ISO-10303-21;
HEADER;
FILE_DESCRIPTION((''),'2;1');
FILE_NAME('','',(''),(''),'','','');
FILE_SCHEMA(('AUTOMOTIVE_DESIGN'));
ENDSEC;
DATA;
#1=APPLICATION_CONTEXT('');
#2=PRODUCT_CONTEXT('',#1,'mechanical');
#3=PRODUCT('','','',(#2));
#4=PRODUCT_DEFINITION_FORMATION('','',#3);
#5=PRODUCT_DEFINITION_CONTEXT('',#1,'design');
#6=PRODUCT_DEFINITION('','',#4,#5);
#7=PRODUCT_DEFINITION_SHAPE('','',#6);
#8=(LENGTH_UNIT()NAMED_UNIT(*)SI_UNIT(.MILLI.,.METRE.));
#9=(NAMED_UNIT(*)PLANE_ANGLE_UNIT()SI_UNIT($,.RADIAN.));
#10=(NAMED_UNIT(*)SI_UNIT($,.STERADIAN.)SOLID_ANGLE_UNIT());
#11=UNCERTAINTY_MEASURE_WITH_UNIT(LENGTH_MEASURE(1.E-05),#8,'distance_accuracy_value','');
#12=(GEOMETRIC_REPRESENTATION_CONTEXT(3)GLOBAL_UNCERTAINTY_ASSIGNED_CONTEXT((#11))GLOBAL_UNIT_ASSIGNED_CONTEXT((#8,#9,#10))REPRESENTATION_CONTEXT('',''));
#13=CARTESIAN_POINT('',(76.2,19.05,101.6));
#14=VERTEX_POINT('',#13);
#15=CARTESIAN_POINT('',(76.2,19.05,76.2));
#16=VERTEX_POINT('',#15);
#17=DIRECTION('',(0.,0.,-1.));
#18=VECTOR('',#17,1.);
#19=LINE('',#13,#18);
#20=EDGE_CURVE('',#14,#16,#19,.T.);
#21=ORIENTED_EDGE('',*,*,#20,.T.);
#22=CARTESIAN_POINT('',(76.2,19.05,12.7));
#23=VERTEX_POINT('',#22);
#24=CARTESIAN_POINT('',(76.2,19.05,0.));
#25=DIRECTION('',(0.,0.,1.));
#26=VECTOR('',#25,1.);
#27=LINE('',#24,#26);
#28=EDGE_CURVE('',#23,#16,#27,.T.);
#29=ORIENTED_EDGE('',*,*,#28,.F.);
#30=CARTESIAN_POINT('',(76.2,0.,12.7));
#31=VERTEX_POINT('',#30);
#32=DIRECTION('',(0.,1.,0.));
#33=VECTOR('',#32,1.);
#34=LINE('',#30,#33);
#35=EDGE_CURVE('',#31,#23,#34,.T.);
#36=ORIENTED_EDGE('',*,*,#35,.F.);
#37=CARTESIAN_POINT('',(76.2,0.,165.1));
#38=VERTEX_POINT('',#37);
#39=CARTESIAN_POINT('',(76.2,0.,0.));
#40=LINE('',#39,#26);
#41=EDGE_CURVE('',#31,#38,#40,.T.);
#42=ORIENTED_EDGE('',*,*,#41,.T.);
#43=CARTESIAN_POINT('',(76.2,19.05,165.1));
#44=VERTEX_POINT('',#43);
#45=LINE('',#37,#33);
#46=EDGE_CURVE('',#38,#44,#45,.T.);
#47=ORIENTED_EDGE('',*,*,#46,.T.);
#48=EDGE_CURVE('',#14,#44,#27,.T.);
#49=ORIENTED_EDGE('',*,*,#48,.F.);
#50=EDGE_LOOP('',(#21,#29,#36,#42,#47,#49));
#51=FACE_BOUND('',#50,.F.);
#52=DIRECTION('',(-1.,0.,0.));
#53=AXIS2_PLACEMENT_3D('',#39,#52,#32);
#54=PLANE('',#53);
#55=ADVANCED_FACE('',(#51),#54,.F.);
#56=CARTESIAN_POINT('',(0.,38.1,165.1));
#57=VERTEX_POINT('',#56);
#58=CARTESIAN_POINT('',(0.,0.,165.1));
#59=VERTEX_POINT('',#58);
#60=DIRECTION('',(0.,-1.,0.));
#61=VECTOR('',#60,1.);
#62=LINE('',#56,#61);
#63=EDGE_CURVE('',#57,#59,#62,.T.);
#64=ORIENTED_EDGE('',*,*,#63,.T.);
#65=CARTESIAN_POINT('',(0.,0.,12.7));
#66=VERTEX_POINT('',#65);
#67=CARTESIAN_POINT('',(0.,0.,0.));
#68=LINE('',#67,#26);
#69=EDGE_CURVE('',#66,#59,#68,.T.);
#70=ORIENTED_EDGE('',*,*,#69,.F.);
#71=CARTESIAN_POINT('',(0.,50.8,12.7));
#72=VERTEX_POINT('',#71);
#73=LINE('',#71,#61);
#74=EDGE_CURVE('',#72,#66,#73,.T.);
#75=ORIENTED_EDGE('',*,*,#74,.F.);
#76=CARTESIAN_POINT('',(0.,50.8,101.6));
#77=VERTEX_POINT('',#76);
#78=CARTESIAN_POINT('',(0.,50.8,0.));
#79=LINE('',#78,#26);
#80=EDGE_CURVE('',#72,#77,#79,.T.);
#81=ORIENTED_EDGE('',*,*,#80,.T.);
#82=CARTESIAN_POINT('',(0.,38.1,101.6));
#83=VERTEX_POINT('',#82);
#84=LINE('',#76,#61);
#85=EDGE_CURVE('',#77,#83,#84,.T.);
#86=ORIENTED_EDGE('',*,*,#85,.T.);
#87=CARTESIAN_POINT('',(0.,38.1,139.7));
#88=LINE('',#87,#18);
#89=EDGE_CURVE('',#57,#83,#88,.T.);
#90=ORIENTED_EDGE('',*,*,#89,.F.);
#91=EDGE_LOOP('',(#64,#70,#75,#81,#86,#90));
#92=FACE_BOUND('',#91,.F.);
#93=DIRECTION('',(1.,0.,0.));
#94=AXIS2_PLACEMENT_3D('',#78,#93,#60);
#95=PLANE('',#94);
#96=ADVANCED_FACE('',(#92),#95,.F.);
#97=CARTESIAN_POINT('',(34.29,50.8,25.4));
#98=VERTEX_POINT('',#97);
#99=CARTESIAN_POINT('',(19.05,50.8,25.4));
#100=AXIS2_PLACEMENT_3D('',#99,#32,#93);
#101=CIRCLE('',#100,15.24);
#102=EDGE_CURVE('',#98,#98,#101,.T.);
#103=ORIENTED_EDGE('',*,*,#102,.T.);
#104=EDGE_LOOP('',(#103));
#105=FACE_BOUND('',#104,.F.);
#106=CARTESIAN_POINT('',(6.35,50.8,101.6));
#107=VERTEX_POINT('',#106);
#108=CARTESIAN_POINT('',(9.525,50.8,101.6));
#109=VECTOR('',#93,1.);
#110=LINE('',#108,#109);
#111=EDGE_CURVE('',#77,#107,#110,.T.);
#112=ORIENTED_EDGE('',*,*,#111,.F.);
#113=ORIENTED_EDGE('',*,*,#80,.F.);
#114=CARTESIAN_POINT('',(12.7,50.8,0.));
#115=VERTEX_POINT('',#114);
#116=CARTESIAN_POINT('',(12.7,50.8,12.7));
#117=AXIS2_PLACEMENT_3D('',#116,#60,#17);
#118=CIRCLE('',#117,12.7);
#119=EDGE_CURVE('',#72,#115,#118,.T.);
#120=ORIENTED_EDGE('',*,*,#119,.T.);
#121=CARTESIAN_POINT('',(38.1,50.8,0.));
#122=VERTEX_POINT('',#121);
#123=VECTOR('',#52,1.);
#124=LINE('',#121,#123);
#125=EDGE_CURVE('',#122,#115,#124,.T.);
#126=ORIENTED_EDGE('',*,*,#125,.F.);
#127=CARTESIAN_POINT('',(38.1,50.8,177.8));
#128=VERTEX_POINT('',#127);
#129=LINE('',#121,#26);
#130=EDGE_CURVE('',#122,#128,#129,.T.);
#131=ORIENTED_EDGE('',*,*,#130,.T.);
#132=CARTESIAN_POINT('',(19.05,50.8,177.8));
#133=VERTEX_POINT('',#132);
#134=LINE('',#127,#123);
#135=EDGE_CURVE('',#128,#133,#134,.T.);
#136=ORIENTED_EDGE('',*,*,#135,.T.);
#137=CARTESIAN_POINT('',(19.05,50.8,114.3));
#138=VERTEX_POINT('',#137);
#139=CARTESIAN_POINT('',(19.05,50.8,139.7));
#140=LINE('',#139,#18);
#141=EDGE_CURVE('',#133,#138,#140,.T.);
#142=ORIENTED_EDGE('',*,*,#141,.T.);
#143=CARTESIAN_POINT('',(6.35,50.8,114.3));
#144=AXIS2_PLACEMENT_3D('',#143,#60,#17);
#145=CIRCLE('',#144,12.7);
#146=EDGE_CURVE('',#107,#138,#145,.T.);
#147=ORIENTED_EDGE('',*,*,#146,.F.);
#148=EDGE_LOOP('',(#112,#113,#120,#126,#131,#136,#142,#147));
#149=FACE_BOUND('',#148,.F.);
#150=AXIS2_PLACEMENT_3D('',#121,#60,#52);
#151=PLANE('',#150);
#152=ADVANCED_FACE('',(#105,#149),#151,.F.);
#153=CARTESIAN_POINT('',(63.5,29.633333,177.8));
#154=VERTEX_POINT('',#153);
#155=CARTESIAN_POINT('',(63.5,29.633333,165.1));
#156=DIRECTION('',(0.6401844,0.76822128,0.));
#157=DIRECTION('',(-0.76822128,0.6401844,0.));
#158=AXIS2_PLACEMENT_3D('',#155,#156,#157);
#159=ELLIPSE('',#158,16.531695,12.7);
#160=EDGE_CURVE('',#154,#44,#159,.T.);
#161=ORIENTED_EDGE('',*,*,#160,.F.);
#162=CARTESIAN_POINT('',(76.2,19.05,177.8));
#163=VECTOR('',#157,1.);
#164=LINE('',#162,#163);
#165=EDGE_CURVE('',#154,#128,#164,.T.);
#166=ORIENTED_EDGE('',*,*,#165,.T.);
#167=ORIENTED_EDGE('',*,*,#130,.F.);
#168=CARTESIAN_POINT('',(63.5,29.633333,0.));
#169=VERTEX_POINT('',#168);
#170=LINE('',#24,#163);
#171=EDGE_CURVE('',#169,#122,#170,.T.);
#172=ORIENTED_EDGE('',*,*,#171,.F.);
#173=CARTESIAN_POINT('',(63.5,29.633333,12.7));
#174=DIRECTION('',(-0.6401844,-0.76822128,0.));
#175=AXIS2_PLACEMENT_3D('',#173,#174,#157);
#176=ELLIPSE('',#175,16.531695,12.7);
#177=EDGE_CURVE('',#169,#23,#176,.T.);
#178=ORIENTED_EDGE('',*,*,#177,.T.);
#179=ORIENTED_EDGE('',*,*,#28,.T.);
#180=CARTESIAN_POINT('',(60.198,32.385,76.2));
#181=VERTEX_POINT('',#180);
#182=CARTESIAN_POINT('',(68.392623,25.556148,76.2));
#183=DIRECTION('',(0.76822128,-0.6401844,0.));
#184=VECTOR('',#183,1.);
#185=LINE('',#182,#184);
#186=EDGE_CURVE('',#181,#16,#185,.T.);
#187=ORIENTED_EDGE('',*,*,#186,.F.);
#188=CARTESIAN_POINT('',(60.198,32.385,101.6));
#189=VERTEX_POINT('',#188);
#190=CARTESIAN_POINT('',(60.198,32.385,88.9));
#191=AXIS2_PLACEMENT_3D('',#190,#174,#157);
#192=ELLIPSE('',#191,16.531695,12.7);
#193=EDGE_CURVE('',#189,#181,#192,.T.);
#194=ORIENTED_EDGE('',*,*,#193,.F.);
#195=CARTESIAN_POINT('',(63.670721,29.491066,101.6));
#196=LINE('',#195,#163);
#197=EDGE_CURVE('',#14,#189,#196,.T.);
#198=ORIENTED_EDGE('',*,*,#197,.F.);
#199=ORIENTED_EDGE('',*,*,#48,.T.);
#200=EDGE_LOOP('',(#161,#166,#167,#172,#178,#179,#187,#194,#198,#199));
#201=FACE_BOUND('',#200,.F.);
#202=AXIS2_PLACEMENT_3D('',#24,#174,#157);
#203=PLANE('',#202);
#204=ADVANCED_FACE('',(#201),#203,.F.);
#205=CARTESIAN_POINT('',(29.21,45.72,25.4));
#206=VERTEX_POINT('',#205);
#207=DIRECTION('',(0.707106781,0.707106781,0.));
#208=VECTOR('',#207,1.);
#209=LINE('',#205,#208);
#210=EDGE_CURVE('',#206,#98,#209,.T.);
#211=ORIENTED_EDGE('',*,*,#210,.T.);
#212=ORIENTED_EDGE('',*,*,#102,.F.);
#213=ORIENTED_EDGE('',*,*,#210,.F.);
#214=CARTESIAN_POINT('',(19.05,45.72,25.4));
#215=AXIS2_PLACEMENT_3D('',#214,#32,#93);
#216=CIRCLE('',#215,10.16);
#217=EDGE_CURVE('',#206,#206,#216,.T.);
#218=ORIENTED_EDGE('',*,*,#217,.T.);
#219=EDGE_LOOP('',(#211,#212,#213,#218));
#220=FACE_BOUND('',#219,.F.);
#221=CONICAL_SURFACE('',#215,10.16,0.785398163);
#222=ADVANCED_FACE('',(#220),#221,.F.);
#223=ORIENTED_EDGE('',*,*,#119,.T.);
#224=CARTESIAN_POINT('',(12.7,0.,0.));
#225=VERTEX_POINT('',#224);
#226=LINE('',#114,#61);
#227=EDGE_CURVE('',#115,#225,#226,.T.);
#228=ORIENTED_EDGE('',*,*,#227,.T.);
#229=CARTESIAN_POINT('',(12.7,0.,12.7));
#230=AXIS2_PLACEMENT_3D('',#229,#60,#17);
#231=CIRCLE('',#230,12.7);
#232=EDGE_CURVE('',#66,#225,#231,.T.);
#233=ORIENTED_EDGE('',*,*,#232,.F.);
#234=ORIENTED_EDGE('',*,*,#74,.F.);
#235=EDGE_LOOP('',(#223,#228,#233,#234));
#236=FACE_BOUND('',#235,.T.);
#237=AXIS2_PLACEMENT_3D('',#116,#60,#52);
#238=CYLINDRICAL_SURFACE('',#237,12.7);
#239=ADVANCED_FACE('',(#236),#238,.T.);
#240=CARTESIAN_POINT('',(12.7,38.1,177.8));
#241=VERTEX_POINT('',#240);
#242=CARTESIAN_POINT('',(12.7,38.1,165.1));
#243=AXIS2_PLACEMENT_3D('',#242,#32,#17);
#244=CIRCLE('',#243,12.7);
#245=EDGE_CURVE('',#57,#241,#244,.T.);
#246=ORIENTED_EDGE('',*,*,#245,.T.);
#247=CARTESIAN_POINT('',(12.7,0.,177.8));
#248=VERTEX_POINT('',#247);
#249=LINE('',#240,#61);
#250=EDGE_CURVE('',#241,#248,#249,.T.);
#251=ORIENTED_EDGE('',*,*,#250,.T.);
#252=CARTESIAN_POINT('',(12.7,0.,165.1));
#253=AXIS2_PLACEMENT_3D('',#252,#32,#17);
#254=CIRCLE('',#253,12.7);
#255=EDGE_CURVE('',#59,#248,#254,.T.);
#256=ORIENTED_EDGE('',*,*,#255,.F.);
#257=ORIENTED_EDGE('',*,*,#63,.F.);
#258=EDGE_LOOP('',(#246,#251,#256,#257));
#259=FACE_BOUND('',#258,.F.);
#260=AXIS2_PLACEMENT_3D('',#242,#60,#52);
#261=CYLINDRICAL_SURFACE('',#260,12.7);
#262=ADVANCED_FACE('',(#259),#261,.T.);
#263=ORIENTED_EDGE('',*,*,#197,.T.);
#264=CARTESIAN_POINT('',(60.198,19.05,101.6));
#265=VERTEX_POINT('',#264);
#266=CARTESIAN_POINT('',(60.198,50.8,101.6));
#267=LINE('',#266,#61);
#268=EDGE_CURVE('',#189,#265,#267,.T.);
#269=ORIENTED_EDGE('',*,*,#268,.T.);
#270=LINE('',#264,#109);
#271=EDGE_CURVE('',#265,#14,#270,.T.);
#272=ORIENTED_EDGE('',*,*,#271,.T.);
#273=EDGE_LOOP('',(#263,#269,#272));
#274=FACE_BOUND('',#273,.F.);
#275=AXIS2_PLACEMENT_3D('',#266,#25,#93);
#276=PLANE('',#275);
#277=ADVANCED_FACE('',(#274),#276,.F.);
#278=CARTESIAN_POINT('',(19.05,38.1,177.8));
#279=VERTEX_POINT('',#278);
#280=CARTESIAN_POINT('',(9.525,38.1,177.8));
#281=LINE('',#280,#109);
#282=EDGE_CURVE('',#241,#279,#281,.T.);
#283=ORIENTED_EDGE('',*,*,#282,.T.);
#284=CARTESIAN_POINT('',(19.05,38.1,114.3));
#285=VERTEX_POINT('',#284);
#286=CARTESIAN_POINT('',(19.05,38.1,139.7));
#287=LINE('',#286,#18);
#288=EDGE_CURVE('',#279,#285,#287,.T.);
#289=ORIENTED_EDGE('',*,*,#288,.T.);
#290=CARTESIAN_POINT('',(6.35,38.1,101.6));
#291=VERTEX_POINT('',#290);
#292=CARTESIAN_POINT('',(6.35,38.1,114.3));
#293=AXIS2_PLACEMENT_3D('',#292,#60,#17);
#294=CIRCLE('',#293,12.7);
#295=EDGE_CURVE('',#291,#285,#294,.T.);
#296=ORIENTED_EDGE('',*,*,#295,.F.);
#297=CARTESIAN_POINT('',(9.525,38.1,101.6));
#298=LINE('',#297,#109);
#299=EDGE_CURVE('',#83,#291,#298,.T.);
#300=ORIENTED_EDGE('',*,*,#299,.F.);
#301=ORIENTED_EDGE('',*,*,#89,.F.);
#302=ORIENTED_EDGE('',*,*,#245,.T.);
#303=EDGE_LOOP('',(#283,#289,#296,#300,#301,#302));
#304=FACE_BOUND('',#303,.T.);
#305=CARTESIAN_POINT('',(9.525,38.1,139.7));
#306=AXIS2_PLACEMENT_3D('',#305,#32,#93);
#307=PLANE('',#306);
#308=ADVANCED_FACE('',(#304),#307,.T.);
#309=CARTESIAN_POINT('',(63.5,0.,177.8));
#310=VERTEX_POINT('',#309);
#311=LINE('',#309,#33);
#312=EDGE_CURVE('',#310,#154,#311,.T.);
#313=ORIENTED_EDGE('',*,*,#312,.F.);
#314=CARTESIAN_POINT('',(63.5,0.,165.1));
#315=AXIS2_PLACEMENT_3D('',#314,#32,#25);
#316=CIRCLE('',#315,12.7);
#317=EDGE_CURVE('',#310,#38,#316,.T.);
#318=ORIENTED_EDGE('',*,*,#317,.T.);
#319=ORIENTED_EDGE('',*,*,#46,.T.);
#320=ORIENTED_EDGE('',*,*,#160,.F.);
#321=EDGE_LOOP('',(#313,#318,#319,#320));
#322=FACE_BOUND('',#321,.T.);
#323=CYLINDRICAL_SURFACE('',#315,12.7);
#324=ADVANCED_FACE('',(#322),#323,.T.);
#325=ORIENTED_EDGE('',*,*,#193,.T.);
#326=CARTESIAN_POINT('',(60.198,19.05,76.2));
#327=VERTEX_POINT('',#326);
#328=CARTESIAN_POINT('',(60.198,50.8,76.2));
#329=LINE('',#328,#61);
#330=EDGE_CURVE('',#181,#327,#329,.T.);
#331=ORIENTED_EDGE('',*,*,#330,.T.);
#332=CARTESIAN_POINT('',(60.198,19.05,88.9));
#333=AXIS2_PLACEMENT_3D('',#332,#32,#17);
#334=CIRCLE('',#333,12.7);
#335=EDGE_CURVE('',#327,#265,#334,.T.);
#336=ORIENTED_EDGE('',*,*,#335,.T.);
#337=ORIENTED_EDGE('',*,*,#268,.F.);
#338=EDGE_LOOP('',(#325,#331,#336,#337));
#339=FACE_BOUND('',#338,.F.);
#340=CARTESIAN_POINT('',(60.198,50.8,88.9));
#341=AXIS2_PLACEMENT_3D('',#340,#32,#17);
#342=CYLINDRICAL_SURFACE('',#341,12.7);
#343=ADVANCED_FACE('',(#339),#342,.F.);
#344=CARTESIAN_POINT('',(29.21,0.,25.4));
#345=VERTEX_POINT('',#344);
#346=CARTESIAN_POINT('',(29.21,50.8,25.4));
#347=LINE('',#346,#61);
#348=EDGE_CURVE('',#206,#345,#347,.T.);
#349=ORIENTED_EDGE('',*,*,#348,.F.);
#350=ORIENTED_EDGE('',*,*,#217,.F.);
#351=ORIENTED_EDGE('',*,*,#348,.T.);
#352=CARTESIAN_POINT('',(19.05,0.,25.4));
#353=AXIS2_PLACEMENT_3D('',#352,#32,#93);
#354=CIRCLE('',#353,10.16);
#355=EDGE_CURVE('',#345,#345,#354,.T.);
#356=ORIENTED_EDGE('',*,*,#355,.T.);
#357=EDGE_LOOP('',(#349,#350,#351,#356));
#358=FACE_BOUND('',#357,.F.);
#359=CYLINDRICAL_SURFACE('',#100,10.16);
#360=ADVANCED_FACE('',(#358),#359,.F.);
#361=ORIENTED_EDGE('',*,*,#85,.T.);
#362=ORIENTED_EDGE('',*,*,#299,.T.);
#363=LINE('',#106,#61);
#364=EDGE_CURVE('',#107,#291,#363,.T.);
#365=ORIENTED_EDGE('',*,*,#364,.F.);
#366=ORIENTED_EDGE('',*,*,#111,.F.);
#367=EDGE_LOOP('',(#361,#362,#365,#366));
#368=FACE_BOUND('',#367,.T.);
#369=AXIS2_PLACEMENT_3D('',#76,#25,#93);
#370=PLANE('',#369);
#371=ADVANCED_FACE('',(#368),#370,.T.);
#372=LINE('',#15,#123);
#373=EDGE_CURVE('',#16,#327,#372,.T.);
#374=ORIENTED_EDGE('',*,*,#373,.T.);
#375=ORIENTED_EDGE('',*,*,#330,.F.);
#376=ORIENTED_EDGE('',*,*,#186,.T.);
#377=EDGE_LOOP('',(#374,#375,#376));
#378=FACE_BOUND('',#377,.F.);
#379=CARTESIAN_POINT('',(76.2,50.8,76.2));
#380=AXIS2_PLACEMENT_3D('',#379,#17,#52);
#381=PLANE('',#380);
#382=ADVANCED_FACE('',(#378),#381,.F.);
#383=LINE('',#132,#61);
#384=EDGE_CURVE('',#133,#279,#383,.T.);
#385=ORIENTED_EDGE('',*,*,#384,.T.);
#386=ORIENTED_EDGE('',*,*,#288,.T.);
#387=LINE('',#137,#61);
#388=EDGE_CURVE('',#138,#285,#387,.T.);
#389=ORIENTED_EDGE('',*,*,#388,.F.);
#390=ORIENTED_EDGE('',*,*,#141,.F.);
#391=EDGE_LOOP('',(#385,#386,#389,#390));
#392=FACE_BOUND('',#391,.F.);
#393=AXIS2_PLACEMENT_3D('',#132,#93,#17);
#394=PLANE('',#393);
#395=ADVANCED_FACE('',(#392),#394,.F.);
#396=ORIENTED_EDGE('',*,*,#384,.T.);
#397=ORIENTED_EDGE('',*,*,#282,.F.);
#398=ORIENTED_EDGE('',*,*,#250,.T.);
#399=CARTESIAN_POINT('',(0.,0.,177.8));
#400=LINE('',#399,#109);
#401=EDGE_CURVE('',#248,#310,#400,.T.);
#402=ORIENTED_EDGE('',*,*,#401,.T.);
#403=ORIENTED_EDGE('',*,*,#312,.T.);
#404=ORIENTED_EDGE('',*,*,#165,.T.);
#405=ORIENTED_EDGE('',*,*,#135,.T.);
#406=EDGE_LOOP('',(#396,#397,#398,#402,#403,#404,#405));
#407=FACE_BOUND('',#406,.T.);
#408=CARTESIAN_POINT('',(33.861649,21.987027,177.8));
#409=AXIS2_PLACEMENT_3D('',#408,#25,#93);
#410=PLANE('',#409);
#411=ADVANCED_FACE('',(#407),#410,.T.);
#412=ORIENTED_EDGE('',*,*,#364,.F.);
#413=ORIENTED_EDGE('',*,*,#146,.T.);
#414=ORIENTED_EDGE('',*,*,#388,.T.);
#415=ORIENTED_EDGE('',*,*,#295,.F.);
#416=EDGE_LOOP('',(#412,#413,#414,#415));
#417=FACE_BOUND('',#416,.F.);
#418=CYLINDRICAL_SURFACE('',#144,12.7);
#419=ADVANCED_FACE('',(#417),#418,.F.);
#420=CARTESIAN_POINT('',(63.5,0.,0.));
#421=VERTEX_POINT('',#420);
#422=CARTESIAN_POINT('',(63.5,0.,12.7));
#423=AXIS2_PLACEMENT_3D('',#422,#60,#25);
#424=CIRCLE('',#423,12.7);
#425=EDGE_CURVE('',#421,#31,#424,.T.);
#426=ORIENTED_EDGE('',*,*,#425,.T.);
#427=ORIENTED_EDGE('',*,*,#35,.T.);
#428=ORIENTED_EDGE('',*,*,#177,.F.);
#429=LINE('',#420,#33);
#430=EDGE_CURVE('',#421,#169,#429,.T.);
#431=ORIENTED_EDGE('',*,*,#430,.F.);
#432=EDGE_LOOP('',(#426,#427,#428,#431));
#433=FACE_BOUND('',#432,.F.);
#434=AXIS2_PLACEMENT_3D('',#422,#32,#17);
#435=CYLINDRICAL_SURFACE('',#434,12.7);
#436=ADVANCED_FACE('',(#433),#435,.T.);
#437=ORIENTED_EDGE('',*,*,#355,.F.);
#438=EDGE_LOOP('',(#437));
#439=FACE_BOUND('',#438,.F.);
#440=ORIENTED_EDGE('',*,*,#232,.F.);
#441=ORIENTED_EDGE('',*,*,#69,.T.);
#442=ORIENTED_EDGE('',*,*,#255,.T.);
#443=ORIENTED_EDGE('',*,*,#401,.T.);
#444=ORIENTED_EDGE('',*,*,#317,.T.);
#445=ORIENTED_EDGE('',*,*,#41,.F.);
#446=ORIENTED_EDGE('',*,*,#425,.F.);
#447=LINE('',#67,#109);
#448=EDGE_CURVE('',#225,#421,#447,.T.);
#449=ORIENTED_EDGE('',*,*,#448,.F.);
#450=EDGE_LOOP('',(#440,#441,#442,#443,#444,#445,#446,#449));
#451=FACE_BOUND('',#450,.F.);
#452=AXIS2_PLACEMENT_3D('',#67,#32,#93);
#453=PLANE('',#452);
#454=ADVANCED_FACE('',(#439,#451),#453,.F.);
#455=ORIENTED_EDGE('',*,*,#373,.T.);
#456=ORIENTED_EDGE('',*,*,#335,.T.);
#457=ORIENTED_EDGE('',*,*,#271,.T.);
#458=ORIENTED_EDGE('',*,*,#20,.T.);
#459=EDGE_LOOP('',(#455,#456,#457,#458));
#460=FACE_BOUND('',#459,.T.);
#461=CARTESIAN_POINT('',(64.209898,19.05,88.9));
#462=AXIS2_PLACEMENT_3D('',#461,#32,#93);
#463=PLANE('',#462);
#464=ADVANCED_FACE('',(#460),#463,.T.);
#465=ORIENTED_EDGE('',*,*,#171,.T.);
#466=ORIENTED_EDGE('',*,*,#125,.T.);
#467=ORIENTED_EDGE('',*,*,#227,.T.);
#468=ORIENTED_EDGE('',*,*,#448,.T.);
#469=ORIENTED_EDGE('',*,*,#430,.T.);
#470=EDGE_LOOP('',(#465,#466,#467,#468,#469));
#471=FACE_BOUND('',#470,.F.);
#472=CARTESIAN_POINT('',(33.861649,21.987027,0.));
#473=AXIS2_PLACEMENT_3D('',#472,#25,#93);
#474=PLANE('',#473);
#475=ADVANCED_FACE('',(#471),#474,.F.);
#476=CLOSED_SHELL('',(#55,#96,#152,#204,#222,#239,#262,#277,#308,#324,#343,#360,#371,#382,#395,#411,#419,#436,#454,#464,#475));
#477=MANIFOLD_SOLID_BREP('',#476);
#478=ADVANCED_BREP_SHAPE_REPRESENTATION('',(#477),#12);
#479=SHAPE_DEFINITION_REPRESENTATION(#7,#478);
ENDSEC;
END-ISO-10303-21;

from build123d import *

# Parameters (mm, degrees)
BOSS_EXTRUDE1_DEPTH = 177.8
SKETCH2_R           = 10.16
CUT_EXTRUDE1_DEPTH  = 51.8
CHAMFER1_SIZE       = 5.08
SKETCH3_W           = 19.05
SKETCH3_H           = 76.2
CUT_EXTRUDE2_DEPTH  = 12.7
FILLET1_R           = 12.7
FILLET2_R           = 12.7
CUT_EXTRUDE8_DEPTH  = 31.75


with BuildPart() as part:
    # Sketch1 → Boss-Extrude1 (new body)
    with BuildSketch(Plane.XY):
        Polygon((0, 0), (76.2, 0), (76.2, 19.05), (38.1, 50.8), (0, 50.8), align=None)
    extrude(amount=BOSS_EXTRUDE1_DEPTH)

    # Sketch2 → Cut-Extrude1 (cut, through all)
    with BuildSketch(Plane(origin=(0, 50.8, 0), x_dir=(1, 0, 0), z_dir=(0, 1, 0))):
        with Locations((19.05, -25.4)):
            Circle(SKETCH2_R)
    extrude(amount=-CUT_EXTRUDE1_DEPTH, mode=Mode.SUBTRACT)

    # Chamfer1
    chamfer1_edges = [part.edges().sort_by_distance(p)[0] for p in [
        (8.89, 50.8, 25.4),
    ]]
    chamfer(chamfer1_edges, length=CHAMFER1_SIZE)

    # Sketch3 → Cut-Extrude2 (cut)
    with BuildSketch(Plane(origin=(0, 50.8, 0), x_dir=(1, 0, 0), z_dir=(0, 1, 0))):
        with Locations((9.525, -139.7)):
            Rectangle(SKETCH3_W, SKETCH3_H)
    extrude(amount=-CUT_EXTRUDE2_DEPTH, mode=Mode.SUBTRACT)

    # Fillet1
    fillet1_edges = [part.edges().sort_by_distance(p)[0] for p in [
        (19.05, 44.45, 101.6),
    ]]
    fillet(fillet1_edges, radius=FILLET1_R)

    # Fillet2
    fillet2_edges = [part.edges().sort_by_distance(p)[0] for p in [
        (76.2, 9.525, 177.8),
        (0, 19.05, 177.8),
        (76.2, 9.525, 0),
        (0, 25.4, 0),
    ]]
    fillet(fillet2_edges, radius=FILLET2_R)

    # Sketch17 → Cut-Extrude8 (cut)
    with BuildSketch(Plane(origin=(0, 50.8, 0), x_dir=(1, 0, 0), z_dir=(0, 1, 0))):
        with BuildLine():
            Line((76.2, -76.2), (60.198, -76.2))
            ThreePointArc((60.198, -76.2), (47.498, -88.9), (60.198, -101.6))
            Line((60.198, -101.6), (76.2, -101.6))
            Line((76.2, -101.6), (76.2, -76.2))
        make_face()
    extrude(amount=-CUT_EXTRUDE8_DEPTH, mode=Mode.SUBTRACT)


solid = part.part
